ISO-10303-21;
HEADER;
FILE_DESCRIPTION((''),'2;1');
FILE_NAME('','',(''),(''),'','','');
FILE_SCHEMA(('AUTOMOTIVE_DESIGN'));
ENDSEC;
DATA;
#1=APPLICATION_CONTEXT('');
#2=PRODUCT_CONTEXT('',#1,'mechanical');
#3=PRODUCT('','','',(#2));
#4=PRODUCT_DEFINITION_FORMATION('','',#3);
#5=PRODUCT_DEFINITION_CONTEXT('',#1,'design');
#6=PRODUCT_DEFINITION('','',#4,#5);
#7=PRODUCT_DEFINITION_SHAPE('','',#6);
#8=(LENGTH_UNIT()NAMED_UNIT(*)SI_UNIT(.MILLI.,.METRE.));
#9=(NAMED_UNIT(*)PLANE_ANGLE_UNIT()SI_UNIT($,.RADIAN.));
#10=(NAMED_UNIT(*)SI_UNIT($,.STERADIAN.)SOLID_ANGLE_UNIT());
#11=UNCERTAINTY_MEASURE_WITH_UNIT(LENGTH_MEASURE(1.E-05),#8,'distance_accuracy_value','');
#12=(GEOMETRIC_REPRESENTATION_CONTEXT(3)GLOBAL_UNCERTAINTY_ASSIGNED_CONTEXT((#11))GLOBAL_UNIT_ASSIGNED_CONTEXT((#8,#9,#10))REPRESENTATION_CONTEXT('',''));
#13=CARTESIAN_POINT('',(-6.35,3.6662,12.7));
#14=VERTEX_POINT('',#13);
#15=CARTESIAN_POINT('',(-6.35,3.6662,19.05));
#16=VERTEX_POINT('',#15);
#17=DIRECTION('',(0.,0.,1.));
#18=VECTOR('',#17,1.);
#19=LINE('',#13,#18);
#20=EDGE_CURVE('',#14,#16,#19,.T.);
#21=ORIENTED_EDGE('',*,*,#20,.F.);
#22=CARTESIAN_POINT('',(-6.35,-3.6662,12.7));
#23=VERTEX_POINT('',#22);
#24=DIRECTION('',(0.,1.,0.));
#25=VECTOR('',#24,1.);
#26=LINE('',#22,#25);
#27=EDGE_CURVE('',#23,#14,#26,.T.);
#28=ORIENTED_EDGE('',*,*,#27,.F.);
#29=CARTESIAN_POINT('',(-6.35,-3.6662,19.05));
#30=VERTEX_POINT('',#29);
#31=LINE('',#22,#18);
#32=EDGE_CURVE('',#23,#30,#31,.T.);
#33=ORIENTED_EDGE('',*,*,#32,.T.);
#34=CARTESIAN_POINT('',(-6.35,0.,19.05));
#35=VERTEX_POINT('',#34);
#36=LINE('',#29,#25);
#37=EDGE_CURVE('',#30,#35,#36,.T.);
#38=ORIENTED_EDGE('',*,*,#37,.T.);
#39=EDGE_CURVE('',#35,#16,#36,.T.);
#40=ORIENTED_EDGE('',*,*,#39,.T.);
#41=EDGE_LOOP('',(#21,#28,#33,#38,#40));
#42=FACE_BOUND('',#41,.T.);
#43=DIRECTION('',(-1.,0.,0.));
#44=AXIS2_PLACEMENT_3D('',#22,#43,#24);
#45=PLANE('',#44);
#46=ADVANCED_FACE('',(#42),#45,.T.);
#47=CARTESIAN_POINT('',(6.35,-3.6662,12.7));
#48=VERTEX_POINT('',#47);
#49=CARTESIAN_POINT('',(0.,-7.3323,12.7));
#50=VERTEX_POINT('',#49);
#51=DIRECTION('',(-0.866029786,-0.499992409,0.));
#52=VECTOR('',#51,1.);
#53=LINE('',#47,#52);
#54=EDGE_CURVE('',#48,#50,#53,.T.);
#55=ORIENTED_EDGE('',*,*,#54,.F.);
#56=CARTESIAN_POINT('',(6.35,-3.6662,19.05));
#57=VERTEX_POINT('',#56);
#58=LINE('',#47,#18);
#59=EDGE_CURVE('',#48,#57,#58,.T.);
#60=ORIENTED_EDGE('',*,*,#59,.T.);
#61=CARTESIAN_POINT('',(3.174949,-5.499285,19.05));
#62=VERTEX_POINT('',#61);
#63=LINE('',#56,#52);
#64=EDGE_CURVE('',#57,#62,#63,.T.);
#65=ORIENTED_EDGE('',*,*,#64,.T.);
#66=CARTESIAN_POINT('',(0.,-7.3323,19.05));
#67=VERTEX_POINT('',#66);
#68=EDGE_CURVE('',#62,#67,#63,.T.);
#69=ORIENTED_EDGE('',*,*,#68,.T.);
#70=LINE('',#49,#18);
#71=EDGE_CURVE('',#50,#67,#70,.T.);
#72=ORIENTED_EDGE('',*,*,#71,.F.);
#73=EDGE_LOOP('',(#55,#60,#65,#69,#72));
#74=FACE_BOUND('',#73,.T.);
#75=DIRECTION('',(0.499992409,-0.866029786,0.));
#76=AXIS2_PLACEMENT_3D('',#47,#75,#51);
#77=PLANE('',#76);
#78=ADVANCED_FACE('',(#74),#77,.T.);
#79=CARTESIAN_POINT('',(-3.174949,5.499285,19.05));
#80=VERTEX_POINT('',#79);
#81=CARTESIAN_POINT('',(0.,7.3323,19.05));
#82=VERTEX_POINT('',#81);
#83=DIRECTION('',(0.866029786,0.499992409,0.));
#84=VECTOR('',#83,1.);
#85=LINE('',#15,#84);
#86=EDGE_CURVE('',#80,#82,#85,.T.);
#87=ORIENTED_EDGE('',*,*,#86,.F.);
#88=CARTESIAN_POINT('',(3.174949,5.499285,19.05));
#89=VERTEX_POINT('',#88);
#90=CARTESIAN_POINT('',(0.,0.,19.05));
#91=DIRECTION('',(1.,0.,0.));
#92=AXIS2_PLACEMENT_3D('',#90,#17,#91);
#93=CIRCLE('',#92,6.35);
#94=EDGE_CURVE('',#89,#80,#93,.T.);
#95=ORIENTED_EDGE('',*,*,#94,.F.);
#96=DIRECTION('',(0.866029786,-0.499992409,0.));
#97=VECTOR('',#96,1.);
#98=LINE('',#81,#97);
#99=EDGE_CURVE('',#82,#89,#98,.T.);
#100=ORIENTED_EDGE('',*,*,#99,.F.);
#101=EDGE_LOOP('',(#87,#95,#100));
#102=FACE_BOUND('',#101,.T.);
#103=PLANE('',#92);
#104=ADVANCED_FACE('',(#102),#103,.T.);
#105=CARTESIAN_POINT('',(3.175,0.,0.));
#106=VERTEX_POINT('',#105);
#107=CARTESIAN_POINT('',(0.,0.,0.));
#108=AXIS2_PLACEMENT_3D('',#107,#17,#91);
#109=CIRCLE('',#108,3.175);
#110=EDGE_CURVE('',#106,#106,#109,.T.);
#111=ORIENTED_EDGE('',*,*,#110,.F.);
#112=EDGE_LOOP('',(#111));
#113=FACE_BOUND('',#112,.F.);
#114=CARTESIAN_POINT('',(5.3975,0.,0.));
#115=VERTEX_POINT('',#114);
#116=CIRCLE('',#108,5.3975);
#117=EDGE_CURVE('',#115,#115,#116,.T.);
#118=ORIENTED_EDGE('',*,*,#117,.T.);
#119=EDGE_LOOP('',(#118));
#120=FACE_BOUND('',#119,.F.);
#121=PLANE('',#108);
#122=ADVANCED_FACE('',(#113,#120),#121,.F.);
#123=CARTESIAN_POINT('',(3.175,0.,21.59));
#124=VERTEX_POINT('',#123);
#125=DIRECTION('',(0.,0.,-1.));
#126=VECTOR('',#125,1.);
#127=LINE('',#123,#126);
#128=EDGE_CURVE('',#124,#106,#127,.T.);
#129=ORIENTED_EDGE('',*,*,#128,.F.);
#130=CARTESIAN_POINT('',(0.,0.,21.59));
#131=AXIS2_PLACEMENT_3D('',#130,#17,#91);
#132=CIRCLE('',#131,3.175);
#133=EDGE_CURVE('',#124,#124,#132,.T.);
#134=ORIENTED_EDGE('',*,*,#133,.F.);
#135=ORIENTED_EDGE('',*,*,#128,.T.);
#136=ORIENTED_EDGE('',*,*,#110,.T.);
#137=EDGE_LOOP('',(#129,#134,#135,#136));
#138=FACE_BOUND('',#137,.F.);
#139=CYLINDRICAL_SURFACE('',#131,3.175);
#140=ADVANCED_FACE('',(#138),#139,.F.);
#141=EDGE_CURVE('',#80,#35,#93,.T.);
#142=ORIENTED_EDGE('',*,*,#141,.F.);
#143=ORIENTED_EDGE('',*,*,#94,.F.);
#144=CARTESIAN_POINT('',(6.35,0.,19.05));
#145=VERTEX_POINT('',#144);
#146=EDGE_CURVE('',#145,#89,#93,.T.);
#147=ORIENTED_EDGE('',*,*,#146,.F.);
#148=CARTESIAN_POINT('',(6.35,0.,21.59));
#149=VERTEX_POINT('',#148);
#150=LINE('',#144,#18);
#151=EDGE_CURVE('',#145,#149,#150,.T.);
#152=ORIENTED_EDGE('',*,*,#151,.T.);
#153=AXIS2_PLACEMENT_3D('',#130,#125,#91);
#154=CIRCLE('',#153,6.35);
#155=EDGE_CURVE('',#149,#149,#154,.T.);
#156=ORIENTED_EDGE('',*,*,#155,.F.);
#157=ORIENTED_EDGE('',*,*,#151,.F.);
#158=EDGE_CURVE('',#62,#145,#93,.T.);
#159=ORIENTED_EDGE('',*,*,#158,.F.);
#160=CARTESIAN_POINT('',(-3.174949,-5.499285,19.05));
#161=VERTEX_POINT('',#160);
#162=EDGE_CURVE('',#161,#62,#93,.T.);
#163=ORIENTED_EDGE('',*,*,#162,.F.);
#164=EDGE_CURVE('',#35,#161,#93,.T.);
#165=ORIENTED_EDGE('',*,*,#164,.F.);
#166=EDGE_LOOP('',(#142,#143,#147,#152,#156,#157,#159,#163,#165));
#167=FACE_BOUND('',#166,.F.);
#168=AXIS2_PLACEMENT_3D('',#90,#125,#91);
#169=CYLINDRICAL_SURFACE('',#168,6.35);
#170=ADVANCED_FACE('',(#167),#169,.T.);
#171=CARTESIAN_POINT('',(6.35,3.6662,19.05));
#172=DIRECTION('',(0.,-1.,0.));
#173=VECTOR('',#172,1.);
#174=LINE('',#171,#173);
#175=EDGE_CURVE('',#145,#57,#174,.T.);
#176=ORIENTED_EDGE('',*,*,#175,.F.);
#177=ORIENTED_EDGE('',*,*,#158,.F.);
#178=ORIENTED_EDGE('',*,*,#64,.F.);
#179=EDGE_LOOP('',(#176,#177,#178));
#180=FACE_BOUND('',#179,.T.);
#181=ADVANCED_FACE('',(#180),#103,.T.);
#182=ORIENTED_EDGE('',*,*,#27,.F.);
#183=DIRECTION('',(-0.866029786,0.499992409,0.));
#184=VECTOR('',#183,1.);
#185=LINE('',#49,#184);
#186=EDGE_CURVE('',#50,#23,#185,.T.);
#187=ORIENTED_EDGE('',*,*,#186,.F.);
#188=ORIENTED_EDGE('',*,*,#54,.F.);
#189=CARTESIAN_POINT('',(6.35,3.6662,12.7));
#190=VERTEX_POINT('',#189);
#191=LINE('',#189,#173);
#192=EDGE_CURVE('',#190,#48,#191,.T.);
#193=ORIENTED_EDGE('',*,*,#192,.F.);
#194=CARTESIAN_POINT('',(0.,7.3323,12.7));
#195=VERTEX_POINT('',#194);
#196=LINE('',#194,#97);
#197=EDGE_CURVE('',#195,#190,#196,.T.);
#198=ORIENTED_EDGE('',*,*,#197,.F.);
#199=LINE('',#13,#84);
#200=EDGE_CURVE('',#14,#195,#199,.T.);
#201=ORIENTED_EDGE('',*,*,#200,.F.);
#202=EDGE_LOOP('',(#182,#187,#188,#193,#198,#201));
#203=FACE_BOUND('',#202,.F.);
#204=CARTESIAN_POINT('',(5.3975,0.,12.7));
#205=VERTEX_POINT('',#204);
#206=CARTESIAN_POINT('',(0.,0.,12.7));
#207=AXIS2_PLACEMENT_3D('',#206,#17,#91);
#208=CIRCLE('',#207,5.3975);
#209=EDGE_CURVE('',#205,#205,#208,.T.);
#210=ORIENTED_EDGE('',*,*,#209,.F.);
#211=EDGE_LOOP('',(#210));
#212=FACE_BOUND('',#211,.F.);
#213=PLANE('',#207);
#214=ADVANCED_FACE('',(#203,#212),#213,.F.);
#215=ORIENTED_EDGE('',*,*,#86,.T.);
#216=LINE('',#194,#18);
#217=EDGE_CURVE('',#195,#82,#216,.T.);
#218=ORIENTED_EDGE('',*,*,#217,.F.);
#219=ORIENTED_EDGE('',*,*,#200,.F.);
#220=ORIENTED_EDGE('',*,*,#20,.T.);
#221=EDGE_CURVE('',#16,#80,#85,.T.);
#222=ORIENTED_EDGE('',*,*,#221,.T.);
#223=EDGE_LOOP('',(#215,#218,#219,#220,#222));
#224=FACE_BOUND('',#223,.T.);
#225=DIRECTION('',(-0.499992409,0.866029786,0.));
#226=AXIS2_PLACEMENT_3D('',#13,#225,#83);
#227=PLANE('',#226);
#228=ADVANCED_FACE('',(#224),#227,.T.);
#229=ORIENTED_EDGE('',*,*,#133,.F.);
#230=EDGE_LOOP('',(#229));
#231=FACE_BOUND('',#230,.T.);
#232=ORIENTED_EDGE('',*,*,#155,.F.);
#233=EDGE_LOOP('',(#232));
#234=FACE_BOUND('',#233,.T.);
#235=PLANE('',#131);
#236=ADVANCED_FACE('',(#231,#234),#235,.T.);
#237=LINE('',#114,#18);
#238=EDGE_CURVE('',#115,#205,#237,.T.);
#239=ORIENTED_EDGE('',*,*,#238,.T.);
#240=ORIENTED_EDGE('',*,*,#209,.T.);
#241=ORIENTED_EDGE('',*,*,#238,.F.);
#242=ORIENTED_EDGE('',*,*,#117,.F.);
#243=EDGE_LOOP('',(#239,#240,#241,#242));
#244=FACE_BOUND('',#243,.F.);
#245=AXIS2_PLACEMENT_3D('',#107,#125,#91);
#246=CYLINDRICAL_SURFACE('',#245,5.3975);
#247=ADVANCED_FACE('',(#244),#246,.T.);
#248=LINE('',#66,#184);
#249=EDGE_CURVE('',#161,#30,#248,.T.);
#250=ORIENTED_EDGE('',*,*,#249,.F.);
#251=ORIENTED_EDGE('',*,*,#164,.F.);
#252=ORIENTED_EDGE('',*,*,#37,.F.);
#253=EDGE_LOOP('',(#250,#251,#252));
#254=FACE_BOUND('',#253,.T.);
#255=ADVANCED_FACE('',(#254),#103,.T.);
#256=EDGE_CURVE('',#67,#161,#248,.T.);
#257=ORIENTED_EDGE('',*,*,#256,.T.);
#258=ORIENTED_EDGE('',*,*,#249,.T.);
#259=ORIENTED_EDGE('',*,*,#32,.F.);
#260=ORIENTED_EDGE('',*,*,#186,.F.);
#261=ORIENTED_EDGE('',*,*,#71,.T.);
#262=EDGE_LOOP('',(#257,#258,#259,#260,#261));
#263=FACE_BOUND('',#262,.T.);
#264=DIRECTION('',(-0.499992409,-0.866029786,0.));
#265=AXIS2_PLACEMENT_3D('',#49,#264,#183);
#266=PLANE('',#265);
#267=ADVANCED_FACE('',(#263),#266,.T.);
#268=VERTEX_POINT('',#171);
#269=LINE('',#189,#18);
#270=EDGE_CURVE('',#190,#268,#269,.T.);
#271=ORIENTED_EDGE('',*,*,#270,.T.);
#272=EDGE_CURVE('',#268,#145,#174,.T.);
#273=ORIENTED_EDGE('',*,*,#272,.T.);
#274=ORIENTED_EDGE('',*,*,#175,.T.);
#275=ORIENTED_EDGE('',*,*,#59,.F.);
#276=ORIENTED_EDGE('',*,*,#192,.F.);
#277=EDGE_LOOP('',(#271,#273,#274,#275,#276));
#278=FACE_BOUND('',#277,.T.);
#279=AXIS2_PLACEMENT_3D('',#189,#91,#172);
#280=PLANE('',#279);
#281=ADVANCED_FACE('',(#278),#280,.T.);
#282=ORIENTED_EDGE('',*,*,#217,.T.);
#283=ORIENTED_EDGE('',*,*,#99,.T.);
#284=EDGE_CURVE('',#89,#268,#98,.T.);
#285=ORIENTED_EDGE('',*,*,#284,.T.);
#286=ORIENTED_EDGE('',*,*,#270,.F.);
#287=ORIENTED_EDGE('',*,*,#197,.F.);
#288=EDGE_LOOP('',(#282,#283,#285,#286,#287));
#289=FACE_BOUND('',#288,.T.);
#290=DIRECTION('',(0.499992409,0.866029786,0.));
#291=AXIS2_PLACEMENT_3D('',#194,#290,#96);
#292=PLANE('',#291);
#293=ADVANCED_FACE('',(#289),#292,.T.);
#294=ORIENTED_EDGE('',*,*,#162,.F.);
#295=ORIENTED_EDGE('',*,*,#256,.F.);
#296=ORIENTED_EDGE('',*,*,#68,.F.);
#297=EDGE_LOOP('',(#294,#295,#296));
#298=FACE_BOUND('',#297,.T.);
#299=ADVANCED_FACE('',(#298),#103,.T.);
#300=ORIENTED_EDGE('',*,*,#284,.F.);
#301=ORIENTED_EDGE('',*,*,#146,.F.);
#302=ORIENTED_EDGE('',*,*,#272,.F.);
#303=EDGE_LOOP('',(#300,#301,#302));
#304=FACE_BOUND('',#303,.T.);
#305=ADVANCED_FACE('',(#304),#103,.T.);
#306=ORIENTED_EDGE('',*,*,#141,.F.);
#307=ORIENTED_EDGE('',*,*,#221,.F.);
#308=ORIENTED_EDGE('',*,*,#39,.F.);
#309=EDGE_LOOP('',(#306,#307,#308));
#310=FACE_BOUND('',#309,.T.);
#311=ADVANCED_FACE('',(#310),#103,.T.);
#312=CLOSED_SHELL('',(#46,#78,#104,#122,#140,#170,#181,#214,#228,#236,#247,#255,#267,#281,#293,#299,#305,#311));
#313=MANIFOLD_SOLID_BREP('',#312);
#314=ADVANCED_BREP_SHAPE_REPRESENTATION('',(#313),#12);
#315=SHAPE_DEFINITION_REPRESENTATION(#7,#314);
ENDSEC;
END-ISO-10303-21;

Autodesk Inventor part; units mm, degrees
ref_plane "YZ Plane" through (0, 0, 0) normal (1, 0, 0) x (0, 1, 0)
ref_plane "XZ Plane" through (0, 0, 0) normal (0, 1, 0) x (-1, 0, 0)
ref_plane "XY Plane" through (0, 0, 0) normal (0, 0, 1) x (1, 0, 0)
sketch "Sketch1" plane through (0, 0, 0) normal (0, 0, 1) x (1, 0, 0)
  circle A0 centre (0, 0) radius 5.3975
  dimension "d0" = 10.795
extrude "Extrusion1" add sketch "Sketch1" along normal blind 12.7
thread "Thread1" size "7/16-14 UNC" class "2A" standard "ANSI Unified Screw Threads" full length
sketch "Sketch2" plane through (0, 0, 12.7) normal (0, 0, 1) x (1, 0, 0)
  circle A0 centre (0, 0) radius 5.3975 projected
  line L0 (0, 7.3323) -> (6.35, 3.6662)
  line L1 (6.35, 3.6662) -> (6.35, -3.6662)
  line L2 (6.35, -3.6662) -> (0, -7.3323)
  line L3 (0, -7.3323) -> (-6.35, -3.6662)
  line L4 (-6.35, -3.6662) -> (-6.35, 3.6662)
  line L5 (-6.35, 3.6662) -> (0, 7.3323)
  dimension "d5" = 12.7
  dimension "d6" = 0
extrude "Extrusion2" add sketch "Sketch2" along normal blind 6.35 contours A0 | L0 L1 L2 L3 L4 L5
sketch "Sketch3" plane through (0, 0, 19.05) normal (0, 0, 1) x (1, 0, 0)
  line L0 (0, 7.3323) -> (6.35, 3.6662) projected
  circle A0 centre (0, 0) radius 6.35
extrude "Extrusion3" add sketch "Sketch3" along normal blind 2.54
sketch "Sketch4" plane through (0, 0, 21.59) normal (0, 0, 1) x (1, 0, 0)
  circle A0 centre (0, 0) radius 6.35 projected
  circle A1 centre (0, 0) radius 3.175
  dimension "d11" = 6.35
extrude "Extrusion4" cut sketch "Sketch4" against normal through all contours A1
properties part number "Pnewmatic Screw Part 1 1764"
